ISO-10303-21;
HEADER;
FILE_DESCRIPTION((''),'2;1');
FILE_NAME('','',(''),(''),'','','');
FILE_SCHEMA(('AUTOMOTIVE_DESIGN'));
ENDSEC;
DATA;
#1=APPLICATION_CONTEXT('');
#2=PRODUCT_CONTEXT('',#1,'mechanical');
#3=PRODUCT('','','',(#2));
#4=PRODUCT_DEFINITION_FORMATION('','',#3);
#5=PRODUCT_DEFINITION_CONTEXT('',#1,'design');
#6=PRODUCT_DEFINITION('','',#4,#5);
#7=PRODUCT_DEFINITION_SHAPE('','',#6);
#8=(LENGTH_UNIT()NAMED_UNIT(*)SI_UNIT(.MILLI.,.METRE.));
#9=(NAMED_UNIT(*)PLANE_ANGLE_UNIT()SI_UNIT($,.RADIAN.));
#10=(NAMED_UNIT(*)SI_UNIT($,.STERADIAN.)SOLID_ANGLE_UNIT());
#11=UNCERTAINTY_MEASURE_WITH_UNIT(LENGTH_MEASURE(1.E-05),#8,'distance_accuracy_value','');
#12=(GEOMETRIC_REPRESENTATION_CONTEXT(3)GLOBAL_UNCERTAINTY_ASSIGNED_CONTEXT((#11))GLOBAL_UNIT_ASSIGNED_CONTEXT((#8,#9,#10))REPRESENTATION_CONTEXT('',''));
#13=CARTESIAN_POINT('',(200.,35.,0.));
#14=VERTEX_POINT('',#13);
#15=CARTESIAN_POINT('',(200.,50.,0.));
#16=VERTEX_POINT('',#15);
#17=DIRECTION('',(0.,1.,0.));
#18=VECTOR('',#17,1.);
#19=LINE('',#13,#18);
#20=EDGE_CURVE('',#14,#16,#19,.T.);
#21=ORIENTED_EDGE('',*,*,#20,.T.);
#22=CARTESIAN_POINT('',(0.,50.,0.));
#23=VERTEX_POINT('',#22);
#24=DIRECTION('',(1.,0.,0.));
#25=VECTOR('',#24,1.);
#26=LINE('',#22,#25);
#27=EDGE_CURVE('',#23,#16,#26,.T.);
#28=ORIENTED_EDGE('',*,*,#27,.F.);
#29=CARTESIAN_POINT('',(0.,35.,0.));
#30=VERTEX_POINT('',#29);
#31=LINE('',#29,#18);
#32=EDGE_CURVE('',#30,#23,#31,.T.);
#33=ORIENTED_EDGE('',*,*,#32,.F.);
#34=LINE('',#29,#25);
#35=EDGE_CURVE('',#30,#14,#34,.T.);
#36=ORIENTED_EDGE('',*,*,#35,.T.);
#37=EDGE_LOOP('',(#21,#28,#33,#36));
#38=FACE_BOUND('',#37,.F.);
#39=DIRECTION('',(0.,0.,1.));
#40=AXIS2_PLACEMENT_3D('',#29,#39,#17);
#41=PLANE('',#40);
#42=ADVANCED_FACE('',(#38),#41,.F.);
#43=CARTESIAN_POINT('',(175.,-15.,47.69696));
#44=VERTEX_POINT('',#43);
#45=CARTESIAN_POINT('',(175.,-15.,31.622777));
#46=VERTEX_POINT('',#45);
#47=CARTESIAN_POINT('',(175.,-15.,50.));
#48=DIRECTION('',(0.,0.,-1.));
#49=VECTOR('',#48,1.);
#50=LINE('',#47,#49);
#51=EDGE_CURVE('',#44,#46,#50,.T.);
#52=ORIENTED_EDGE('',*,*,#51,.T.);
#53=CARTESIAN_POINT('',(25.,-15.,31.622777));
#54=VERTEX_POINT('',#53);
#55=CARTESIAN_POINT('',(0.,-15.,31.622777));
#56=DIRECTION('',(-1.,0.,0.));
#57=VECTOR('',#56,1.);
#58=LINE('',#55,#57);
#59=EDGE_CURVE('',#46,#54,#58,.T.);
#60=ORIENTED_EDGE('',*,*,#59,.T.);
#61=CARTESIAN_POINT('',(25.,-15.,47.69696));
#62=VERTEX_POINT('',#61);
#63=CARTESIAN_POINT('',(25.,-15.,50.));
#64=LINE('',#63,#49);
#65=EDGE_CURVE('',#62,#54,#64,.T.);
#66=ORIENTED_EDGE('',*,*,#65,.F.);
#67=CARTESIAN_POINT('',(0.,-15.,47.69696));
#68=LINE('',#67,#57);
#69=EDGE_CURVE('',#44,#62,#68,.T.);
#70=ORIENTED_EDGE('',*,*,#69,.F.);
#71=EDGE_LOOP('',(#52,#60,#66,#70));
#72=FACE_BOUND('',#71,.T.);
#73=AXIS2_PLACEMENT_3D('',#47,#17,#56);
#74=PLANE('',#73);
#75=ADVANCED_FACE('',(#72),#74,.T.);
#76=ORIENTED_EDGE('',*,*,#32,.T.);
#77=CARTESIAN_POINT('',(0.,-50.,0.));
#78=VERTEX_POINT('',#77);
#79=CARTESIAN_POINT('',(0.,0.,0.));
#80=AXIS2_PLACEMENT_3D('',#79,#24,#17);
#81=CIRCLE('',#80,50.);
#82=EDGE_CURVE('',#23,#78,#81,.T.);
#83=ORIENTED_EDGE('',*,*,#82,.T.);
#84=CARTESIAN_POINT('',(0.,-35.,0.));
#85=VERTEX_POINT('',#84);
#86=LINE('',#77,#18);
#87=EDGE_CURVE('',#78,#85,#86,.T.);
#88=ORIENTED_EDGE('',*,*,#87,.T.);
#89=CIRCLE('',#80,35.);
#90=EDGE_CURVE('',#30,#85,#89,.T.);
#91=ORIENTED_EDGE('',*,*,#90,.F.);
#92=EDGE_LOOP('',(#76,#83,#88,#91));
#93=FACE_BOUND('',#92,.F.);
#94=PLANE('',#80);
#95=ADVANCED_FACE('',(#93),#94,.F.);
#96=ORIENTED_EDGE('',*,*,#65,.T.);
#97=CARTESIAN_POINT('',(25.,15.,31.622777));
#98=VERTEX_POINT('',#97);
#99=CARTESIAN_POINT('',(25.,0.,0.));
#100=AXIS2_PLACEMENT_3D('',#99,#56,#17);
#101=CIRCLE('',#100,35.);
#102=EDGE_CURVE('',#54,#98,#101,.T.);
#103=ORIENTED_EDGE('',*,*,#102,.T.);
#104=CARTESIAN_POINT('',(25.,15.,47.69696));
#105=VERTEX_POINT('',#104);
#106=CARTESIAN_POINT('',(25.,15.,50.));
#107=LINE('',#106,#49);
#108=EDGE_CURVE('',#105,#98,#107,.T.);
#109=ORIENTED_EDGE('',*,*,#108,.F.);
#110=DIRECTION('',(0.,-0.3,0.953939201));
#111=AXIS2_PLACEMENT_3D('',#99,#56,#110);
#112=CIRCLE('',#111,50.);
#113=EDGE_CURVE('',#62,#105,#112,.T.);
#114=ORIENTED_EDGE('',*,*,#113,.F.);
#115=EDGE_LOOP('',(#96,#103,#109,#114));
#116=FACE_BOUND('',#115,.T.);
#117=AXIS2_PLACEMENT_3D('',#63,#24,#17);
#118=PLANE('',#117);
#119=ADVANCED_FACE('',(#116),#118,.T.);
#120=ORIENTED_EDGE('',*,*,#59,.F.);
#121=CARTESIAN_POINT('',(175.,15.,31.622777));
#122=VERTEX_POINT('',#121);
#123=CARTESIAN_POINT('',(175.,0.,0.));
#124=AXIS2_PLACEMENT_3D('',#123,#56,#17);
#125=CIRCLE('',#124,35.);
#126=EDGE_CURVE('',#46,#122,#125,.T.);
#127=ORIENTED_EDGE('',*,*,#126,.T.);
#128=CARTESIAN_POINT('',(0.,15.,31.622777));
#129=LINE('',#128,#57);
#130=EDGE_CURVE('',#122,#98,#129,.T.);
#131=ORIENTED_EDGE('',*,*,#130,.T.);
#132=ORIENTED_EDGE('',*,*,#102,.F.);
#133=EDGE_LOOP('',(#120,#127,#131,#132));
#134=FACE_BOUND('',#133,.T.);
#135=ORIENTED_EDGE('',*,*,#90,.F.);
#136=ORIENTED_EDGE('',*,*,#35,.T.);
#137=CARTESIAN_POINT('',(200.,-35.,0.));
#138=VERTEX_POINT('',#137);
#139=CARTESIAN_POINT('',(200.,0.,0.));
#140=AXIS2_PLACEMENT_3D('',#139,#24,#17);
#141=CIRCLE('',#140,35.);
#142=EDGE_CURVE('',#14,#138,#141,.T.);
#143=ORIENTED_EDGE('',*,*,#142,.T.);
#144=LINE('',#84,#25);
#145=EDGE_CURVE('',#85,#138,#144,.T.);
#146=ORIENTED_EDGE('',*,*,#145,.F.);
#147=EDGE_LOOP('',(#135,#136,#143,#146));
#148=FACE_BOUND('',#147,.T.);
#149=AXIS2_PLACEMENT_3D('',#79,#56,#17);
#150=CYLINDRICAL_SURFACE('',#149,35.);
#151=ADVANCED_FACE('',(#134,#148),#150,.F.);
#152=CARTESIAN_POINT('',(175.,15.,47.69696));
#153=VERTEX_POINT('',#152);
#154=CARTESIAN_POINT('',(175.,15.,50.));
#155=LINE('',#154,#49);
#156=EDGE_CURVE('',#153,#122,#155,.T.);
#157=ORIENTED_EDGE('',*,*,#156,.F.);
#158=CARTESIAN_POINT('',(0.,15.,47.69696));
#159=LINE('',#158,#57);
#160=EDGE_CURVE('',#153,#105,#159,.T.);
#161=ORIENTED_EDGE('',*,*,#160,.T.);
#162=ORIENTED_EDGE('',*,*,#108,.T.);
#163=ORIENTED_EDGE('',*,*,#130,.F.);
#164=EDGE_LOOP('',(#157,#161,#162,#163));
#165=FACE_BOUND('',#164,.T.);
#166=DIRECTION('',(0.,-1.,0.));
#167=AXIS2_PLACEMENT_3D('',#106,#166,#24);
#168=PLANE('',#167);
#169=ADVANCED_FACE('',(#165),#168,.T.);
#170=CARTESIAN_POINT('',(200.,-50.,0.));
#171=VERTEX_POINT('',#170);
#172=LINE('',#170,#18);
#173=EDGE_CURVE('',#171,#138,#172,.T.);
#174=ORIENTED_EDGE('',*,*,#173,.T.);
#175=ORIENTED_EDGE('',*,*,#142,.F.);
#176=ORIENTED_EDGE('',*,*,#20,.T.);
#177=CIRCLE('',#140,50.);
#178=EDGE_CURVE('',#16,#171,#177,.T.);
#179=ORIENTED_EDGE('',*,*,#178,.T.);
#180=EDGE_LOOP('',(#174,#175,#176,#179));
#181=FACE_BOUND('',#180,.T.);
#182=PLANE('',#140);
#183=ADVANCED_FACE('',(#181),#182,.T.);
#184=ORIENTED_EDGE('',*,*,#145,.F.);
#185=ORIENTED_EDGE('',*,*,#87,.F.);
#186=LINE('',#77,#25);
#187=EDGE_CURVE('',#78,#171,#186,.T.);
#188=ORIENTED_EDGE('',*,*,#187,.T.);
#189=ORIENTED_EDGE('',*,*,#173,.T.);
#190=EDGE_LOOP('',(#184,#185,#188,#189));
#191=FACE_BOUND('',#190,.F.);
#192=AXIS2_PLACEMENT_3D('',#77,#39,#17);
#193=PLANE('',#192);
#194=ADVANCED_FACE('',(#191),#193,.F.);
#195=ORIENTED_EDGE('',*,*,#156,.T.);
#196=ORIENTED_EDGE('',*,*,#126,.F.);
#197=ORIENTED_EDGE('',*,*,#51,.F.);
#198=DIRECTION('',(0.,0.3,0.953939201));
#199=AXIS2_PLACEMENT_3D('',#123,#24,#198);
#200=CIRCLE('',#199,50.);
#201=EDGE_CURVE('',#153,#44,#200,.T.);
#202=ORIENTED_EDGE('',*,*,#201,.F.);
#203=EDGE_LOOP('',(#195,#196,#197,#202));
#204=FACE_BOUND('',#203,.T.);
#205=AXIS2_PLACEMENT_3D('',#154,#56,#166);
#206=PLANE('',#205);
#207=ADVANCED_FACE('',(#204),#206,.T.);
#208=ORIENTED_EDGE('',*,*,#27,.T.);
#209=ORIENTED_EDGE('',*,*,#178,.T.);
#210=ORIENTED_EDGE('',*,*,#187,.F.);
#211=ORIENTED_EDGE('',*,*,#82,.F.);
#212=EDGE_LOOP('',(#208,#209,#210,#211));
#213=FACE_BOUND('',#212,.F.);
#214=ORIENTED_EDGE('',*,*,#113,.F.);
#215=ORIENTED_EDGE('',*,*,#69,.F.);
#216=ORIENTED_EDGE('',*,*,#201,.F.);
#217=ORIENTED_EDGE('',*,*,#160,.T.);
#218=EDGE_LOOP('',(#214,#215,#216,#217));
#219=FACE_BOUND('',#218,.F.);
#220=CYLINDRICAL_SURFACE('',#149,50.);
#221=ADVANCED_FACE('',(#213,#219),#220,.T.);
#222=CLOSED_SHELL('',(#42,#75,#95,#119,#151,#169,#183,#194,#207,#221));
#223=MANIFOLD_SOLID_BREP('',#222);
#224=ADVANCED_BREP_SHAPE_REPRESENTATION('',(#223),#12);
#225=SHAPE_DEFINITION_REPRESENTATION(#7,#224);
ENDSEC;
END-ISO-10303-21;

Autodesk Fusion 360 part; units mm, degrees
sketch "Boceto1" plane through (0, 0, 0) normal (1, 0, 0) x (0, 1, 0)
sketch "Boceto2" plane through (0, 0, 0) normal (1, 0, 0) x (0, 1, 0)
  line L0 (-50, 0) -> (-35, 0)
  line L1 (35, 0) -> (50, 0)
  arc A0 (50, 0) -> (-50, 0) centre (0, 0) ccw
  arc A1 (35, 0) -> (-35, 0) centre (0, 0) ccw
  dimension "d1" = 100
  dimension "d2" = 15
extrude "Extruir1" add sketch "Boceto2" along normal blind 200
ref_plane "PlanoDeObra1" through (100, 0, 50) normal (0, 0, 1) x (0, -1, 0)
sketch "Boceto3" plane through (100, 0, 50) normal (0, 0, 1) x (1, 0, 0)
  line L0 (75, -15) -> (-75, -15)
  line L1 (-75, -15) -> (-75, 15)
  line L2 (-75, 15) -> (75, 15)
  line L3 (75, 15) -> (75, -15)
  line L4 (75, -15) -> (-75, 15) construction
  line L5 (-75, -15) -> (75, 15) construction
  dimension "d6" = 150
  dimension "d7" = 30
extrude "Extruir2" cut sketch "Boceto3" along normal up to surface end surface at (66.6667, -26.8116, 22.4976)
sketch "Boceto4" plane through (0, 0, 0) normal (0, 0, 1) x (1, 0, 0)
